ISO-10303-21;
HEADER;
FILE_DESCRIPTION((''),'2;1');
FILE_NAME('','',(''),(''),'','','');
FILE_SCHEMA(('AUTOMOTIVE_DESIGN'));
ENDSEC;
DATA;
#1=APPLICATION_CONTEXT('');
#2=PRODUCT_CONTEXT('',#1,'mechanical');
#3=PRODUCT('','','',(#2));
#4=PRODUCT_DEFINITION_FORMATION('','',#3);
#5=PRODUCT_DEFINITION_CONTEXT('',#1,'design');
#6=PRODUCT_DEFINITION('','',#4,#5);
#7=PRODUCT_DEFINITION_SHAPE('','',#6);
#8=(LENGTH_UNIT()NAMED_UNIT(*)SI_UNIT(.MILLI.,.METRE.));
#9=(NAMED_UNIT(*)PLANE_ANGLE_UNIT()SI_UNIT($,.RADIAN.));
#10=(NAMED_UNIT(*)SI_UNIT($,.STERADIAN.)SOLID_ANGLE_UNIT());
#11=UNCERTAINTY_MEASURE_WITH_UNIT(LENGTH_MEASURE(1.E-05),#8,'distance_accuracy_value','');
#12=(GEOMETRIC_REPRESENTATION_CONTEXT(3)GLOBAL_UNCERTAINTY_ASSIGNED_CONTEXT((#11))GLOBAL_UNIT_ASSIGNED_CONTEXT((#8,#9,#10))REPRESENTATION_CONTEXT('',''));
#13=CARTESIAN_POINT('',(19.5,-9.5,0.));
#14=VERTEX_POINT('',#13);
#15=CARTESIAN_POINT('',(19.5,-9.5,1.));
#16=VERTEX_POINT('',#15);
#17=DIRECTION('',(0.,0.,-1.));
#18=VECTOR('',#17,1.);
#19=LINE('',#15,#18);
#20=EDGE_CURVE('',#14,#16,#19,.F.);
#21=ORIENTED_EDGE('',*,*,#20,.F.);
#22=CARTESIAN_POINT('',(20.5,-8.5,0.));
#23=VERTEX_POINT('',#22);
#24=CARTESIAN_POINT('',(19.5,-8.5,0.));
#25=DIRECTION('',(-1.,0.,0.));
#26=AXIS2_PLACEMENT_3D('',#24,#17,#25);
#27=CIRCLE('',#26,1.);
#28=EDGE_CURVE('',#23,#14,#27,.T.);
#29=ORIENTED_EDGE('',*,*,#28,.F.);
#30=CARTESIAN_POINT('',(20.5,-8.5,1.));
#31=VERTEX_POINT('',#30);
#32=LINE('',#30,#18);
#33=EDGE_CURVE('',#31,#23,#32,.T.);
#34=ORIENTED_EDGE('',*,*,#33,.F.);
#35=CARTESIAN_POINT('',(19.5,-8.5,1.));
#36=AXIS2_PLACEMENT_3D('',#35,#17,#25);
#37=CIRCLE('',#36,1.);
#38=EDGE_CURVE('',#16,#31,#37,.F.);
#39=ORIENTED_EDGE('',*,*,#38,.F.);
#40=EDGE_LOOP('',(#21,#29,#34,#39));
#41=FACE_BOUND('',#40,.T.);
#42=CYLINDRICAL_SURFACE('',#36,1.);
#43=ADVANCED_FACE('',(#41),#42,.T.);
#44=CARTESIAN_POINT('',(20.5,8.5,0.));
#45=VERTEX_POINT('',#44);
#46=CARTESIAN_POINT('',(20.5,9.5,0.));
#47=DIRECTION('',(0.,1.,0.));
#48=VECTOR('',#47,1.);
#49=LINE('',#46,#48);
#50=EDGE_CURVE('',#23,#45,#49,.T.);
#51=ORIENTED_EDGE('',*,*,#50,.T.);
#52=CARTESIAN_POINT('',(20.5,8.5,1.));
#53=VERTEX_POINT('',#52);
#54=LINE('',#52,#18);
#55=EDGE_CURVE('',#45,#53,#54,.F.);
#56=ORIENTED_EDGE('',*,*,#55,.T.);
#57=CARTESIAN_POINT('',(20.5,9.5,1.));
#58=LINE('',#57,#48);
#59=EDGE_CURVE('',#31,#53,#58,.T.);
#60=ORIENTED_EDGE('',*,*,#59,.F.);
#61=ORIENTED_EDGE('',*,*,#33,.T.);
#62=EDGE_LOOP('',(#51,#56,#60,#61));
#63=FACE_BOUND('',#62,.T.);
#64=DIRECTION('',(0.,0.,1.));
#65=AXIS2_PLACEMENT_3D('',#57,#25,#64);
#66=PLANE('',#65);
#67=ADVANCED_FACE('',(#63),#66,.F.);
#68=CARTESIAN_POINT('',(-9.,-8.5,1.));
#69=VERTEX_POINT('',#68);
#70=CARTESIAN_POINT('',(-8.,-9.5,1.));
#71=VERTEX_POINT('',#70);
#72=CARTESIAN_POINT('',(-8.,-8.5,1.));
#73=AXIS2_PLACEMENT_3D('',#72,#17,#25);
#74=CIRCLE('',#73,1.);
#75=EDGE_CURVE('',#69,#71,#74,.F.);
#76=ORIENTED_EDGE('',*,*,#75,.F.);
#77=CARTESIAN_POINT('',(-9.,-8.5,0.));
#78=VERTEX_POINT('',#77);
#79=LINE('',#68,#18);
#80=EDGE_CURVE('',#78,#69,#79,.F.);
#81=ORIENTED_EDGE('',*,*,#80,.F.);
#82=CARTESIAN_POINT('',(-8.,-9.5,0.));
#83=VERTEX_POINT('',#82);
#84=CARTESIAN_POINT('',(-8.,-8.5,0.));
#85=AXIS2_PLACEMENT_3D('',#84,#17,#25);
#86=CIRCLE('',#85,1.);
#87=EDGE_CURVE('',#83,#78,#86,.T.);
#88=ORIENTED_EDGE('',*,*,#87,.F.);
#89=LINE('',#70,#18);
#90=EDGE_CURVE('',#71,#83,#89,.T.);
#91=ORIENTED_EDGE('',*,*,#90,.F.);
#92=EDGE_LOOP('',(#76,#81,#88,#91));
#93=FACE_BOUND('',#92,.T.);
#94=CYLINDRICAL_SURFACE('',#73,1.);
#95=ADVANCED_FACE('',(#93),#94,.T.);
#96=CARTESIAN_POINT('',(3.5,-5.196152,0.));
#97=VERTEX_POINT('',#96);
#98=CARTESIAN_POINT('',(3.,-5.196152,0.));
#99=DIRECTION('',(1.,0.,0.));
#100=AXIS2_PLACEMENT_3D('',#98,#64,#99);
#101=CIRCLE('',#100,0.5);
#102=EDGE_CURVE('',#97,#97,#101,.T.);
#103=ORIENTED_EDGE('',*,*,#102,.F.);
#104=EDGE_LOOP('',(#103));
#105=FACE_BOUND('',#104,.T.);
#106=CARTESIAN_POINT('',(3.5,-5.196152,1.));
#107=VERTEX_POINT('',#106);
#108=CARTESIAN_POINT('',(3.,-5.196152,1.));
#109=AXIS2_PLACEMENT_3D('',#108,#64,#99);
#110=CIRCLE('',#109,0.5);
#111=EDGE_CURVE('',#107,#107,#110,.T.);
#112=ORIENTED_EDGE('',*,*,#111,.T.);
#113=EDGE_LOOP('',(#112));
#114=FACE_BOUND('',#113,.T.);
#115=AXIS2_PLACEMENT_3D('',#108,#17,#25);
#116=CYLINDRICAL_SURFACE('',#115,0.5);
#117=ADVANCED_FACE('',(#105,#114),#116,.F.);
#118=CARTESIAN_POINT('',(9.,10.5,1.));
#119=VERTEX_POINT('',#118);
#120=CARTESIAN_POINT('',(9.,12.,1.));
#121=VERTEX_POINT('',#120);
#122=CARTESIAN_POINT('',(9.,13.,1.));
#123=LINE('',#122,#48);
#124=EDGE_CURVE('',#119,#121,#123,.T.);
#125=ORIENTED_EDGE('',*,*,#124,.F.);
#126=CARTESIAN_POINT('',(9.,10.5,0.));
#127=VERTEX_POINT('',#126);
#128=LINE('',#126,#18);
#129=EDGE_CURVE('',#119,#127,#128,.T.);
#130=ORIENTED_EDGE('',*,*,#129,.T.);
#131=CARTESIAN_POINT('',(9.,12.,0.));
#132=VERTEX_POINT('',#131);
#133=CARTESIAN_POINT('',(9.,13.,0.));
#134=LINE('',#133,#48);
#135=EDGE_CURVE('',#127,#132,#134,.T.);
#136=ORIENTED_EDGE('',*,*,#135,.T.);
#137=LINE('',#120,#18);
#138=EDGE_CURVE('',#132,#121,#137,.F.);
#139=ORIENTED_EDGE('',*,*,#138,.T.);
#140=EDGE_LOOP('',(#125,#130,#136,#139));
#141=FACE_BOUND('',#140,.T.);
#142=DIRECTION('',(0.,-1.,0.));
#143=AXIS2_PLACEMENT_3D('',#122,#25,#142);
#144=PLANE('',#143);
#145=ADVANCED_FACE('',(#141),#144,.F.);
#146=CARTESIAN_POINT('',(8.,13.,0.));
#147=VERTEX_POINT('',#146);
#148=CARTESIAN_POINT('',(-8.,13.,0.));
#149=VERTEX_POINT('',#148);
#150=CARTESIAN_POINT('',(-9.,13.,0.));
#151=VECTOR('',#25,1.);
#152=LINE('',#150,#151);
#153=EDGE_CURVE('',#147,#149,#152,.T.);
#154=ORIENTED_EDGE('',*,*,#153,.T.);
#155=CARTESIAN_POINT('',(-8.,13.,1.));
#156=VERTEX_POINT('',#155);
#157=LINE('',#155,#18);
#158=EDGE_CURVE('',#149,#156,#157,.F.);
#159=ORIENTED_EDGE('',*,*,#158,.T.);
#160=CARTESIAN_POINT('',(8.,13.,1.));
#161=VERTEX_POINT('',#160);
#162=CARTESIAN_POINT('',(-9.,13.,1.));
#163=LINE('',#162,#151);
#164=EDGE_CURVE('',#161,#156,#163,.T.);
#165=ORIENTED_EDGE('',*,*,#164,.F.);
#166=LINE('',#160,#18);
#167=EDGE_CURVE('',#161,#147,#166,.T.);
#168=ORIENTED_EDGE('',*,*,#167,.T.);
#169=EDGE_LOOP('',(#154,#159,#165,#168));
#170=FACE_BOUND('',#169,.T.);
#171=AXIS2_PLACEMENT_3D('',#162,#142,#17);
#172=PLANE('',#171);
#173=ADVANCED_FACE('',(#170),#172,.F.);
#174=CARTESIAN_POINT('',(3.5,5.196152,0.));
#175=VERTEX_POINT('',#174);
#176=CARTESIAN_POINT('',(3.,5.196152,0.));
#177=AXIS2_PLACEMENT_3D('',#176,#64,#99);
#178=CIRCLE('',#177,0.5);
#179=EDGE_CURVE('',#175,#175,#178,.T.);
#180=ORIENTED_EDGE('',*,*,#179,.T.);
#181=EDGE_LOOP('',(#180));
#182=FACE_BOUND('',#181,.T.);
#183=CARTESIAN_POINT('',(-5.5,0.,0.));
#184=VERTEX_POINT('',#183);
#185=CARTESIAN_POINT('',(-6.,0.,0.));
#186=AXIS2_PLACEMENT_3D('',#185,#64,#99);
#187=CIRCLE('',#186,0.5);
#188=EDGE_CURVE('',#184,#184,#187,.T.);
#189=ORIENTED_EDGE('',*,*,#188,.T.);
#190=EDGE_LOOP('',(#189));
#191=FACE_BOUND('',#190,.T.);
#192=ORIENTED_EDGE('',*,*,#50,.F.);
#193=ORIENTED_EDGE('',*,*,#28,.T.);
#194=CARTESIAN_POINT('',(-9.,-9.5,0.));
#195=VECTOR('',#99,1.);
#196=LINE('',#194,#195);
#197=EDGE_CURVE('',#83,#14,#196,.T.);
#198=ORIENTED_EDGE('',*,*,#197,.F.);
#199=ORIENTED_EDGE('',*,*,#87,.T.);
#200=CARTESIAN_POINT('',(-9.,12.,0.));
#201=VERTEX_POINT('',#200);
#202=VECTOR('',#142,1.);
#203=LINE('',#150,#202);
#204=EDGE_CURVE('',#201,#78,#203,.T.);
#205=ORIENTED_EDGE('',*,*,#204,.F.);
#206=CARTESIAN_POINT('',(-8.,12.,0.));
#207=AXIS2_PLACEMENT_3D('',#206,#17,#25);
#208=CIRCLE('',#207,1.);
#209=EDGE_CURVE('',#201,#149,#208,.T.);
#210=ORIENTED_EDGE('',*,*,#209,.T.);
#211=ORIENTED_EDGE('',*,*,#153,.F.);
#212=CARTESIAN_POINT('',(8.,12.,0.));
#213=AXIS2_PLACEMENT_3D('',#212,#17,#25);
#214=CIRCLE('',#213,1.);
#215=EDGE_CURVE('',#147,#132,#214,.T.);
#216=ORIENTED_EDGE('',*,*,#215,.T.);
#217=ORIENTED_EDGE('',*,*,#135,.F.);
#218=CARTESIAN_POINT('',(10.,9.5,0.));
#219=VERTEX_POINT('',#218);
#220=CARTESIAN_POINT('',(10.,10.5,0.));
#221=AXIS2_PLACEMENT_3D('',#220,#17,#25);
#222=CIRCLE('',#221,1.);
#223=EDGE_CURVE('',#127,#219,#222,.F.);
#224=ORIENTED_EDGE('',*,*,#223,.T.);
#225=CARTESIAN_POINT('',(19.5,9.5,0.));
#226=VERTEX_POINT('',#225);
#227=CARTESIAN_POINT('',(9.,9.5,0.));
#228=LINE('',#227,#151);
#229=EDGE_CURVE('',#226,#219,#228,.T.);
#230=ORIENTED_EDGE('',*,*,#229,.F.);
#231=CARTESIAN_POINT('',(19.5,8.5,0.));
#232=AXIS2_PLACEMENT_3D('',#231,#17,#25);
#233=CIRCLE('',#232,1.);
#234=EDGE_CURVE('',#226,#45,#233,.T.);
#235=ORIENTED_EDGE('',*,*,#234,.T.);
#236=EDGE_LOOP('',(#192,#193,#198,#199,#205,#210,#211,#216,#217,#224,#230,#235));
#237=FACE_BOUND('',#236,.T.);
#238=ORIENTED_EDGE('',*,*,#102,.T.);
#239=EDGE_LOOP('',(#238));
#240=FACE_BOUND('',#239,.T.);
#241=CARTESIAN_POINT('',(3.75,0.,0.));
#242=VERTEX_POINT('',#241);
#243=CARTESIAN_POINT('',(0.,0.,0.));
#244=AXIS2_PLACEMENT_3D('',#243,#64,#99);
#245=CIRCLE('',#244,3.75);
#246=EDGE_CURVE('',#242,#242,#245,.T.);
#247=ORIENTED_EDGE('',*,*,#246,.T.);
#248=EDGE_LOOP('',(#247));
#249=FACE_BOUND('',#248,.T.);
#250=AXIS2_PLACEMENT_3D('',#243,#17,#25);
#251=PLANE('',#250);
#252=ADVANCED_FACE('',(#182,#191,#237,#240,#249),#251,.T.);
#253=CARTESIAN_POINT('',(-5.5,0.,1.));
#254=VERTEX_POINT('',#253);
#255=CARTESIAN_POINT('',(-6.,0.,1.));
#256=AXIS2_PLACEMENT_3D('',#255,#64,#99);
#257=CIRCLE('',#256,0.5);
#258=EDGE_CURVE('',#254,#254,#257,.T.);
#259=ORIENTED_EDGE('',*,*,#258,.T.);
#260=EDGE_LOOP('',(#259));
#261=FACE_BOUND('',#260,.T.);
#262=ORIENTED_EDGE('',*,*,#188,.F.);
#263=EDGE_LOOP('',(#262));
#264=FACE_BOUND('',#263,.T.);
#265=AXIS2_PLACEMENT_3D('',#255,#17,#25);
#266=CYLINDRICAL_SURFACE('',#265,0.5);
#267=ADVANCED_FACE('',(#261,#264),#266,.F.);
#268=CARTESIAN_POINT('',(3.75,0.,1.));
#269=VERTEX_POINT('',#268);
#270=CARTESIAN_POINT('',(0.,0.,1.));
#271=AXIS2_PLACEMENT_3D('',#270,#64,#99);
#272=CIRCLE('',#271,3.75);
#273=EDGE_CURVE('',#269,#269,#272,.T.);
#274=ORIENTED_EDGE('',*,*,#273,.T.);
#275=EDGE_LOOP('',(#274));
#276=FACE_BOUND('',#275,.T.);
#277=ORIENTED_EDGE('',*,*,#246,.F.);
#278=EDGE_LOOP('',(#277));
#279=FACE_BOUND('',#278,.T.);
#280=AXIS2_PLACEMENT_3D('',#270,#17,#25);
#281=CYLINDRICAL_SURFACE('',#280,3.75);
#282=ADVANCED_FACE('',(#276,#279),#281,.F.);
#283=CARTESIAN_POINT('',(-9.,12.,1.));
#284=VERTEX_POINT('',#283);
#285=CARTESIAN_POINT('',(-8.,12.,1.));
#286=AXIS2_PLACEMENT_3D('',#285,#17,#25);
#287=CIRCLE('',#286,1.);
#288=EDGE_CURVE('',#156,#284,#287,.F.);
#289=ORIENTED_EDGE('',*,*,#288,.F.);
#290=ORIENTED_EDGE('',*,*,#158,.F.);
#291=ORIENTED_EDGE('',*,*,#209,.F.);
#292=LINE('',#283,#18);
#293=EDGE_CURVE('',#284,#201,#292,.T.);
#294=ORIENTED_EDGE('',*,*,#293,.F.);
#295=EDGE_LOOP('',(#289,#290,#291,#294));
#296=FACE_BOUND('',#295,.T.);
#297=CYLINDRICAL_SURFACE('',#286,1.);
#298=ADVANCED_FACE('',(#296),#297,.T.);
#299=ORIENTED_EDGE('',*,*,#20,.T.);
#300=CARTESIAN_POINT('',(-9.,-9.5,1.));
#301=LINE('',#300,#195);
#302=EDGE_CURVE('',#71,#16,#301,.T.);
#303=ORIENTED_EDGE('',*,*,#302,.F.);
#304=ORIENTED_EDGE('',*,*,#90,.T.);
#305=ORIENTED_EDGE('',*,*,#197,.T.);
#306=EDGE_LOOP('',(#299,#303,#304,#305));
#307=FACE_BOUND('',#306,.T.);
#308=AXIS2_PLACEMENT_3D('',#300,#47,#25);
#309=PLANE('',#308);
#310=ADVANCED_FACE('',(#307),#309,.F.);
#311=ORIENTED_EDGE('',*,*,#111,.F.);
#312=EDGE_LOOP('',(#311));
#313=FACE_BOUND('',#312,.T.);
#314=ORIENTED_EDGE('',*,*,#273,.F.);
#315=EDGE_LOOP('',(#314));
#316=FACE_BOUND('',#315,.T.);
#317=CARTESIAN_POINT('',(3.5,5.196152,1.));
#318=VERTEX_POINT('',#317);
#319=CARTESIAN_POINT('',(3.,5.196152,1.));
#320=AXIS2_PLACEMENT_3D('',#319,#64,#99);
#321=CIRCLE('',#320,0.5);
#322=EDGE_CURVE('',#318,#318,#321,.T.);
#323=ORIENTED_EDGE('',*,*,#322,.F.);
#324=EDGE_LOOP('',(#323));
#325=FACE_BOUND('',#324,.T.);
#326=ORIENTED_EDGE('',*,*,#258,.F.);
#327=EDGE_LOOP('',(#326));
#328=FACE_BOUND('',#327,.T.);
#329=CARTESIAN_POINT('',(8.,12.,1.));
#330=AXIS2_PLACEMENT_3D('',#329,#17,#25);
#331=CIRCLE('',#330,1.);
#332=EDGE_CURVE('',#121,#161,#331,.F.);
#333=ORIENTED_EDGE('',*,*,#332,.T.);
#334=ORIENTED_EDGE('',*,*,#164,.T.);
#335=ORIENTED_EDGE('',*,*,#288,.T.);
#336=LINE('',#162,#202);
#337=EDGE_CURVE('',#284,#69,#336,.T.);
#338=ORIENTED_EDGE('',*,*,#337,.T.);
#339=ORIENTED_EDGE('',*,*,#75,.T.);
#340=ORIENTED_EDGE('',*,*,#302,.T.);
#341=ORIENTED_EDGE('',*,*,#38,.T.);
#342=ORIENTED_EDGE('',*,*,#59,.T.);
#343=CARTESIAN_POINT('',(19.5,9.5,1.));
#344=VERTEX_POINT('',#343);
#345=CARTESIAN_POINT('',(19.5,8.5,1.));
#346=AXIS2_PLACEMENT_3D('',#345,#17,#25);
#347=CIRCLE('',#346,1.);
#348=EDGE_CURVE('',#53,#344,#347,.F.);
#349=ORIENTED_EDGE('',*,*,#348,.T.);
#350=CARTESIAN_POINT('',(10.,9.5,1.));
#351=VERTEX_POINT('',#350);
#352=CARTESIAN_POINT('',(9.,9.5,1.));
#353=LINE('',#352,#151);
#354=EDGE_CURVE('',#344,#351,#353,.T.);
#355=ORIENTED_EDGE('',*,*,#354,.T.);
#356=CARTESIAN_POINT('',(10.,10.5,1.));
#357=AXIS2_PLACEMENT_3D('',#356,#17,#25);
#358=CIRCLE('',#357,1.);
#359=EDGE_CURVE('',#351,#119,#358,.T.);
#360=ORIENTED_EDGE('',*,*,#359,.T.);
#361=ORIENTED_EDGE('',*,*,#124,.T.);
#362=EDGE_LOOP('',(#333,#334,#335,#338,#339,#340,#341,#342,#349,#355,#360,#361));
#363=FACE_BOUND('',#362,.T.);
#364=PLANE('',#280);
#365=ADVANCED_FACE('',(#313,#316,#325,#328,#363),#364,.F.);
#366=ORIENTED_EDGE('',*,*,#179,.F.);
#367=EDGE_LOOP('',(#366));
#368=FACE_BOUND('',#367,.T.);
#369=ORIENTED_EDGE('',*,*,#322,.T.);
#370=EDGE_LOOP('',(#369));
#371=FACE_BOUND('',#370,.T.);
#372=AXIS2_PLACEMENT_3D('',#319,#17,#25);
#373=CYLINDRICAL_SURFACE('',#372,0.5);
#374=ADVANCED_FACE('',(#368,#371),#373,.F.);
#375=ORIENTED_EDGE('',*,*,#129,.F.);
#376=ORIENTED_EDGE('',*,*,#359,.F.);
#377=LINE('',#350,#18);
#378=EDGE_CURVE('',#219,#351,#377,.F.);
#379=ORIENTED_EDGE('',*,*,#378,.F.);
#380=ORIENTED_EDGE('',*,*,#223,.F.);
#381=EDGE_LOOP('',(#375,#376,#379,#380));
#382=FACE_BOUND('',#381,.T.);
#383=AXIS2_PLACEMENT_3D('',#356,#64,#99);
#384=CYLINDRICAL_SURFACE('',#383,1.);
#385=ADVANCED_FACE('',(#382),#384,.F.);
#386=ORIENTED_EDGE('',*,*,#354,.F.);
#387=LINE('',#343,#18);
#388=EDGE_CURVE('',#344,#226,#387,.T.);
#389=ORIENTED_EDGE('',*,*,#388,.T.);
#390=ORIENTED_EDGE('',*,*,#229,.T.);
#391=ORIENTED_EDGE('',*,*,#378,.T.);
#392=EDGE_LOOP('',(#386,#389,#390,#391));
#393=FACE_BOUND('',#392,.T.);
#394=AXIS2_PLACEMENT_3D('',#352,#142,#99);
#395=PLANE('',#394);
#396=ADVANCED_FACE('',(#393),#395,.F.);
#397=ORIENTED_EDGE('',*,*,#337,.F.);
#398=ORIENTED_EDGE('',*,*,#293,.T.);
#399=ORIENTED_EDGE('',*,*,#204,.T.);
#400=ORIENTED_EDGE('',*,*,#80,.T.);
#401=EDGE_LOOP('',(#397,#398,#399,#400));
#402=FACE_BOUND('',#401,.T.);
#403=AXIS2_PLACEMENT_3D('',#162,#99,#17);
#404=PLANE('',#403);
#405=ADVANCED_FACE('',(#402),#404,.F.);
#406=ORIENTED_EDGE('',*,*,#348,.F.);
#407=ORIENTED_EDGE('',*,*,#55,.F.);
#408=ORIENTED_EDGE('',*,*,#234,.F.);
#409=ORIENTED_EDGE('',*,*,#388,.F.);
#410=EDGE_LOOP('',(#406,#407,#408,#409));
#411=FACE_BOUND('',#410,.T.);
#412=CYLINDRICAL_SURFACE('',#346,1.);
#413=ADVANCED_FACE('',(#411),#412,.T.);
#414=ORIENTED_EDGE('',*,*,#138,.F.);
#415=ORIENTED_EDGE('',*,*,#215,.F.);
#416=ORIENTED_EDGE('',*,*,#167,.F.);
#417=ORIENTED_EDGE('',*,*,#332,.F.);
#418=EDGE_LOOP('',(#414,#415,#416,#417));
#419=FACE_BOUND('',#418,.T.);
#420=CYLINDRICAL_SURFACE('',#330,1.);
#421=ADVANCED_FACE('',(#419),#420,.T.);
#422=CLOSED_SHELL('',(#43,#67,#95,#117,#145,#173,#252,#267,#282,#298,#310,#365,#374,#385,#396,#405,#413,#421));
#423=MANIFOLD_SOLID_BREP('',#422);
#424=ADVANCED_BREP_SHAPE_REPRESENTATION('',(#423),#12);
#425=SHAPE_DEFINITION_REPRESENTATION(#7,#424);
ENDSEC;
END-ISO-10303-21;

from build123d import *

# Parameters (mm, degrees)
BOARDSKE_R   = 0.5
BOARDSKE_R_2 = 3.75
BOARD_DEPTH  = 1
FILLET_2_R   = 1


with BuildPart() as part:
    # BoardSke → Board (new body)
    with BuildSketch(Plane.XY):
        Polygon((9, 13), (9, 9.5), (20.5, 9.5), (20.5, -9.5), (-9, -9.5), (-9, 13), align=None)
        with Locations((-6, 0)):
            Circle(BOARDSKE_R, mode=Mode.SUBTRACT)
        Circle(BOARDSKE_R_2, mode=Mode.SUBTRACT)
        with Locations((3, 5.196152423)):
            Circle(BOARDSKE_R, mode=Mode.SUBTRACT)
        with Locations((3, -5.196152423)):
            Circle(BOARDSKE_R, mode=Mode.SUBTRACT)
    extrude(amount=BOARD_DEPTH)

    # Fillet 2
    fillet_2_edges = [part.edges().sort_by_distance(p)[0] for p in [
        (9, 13, 0.5),
        (9, 9.5, 0.5),
        (20.5, 9.5, 0.5),
        (20.5, -9.5, 0.5),
        (-9, -9.5, 0.5),
        (-9, 13, 0.5),
    ]]
    fillet(fillet_2_edges, radius=FILLET_2_R)


solid = part.part
